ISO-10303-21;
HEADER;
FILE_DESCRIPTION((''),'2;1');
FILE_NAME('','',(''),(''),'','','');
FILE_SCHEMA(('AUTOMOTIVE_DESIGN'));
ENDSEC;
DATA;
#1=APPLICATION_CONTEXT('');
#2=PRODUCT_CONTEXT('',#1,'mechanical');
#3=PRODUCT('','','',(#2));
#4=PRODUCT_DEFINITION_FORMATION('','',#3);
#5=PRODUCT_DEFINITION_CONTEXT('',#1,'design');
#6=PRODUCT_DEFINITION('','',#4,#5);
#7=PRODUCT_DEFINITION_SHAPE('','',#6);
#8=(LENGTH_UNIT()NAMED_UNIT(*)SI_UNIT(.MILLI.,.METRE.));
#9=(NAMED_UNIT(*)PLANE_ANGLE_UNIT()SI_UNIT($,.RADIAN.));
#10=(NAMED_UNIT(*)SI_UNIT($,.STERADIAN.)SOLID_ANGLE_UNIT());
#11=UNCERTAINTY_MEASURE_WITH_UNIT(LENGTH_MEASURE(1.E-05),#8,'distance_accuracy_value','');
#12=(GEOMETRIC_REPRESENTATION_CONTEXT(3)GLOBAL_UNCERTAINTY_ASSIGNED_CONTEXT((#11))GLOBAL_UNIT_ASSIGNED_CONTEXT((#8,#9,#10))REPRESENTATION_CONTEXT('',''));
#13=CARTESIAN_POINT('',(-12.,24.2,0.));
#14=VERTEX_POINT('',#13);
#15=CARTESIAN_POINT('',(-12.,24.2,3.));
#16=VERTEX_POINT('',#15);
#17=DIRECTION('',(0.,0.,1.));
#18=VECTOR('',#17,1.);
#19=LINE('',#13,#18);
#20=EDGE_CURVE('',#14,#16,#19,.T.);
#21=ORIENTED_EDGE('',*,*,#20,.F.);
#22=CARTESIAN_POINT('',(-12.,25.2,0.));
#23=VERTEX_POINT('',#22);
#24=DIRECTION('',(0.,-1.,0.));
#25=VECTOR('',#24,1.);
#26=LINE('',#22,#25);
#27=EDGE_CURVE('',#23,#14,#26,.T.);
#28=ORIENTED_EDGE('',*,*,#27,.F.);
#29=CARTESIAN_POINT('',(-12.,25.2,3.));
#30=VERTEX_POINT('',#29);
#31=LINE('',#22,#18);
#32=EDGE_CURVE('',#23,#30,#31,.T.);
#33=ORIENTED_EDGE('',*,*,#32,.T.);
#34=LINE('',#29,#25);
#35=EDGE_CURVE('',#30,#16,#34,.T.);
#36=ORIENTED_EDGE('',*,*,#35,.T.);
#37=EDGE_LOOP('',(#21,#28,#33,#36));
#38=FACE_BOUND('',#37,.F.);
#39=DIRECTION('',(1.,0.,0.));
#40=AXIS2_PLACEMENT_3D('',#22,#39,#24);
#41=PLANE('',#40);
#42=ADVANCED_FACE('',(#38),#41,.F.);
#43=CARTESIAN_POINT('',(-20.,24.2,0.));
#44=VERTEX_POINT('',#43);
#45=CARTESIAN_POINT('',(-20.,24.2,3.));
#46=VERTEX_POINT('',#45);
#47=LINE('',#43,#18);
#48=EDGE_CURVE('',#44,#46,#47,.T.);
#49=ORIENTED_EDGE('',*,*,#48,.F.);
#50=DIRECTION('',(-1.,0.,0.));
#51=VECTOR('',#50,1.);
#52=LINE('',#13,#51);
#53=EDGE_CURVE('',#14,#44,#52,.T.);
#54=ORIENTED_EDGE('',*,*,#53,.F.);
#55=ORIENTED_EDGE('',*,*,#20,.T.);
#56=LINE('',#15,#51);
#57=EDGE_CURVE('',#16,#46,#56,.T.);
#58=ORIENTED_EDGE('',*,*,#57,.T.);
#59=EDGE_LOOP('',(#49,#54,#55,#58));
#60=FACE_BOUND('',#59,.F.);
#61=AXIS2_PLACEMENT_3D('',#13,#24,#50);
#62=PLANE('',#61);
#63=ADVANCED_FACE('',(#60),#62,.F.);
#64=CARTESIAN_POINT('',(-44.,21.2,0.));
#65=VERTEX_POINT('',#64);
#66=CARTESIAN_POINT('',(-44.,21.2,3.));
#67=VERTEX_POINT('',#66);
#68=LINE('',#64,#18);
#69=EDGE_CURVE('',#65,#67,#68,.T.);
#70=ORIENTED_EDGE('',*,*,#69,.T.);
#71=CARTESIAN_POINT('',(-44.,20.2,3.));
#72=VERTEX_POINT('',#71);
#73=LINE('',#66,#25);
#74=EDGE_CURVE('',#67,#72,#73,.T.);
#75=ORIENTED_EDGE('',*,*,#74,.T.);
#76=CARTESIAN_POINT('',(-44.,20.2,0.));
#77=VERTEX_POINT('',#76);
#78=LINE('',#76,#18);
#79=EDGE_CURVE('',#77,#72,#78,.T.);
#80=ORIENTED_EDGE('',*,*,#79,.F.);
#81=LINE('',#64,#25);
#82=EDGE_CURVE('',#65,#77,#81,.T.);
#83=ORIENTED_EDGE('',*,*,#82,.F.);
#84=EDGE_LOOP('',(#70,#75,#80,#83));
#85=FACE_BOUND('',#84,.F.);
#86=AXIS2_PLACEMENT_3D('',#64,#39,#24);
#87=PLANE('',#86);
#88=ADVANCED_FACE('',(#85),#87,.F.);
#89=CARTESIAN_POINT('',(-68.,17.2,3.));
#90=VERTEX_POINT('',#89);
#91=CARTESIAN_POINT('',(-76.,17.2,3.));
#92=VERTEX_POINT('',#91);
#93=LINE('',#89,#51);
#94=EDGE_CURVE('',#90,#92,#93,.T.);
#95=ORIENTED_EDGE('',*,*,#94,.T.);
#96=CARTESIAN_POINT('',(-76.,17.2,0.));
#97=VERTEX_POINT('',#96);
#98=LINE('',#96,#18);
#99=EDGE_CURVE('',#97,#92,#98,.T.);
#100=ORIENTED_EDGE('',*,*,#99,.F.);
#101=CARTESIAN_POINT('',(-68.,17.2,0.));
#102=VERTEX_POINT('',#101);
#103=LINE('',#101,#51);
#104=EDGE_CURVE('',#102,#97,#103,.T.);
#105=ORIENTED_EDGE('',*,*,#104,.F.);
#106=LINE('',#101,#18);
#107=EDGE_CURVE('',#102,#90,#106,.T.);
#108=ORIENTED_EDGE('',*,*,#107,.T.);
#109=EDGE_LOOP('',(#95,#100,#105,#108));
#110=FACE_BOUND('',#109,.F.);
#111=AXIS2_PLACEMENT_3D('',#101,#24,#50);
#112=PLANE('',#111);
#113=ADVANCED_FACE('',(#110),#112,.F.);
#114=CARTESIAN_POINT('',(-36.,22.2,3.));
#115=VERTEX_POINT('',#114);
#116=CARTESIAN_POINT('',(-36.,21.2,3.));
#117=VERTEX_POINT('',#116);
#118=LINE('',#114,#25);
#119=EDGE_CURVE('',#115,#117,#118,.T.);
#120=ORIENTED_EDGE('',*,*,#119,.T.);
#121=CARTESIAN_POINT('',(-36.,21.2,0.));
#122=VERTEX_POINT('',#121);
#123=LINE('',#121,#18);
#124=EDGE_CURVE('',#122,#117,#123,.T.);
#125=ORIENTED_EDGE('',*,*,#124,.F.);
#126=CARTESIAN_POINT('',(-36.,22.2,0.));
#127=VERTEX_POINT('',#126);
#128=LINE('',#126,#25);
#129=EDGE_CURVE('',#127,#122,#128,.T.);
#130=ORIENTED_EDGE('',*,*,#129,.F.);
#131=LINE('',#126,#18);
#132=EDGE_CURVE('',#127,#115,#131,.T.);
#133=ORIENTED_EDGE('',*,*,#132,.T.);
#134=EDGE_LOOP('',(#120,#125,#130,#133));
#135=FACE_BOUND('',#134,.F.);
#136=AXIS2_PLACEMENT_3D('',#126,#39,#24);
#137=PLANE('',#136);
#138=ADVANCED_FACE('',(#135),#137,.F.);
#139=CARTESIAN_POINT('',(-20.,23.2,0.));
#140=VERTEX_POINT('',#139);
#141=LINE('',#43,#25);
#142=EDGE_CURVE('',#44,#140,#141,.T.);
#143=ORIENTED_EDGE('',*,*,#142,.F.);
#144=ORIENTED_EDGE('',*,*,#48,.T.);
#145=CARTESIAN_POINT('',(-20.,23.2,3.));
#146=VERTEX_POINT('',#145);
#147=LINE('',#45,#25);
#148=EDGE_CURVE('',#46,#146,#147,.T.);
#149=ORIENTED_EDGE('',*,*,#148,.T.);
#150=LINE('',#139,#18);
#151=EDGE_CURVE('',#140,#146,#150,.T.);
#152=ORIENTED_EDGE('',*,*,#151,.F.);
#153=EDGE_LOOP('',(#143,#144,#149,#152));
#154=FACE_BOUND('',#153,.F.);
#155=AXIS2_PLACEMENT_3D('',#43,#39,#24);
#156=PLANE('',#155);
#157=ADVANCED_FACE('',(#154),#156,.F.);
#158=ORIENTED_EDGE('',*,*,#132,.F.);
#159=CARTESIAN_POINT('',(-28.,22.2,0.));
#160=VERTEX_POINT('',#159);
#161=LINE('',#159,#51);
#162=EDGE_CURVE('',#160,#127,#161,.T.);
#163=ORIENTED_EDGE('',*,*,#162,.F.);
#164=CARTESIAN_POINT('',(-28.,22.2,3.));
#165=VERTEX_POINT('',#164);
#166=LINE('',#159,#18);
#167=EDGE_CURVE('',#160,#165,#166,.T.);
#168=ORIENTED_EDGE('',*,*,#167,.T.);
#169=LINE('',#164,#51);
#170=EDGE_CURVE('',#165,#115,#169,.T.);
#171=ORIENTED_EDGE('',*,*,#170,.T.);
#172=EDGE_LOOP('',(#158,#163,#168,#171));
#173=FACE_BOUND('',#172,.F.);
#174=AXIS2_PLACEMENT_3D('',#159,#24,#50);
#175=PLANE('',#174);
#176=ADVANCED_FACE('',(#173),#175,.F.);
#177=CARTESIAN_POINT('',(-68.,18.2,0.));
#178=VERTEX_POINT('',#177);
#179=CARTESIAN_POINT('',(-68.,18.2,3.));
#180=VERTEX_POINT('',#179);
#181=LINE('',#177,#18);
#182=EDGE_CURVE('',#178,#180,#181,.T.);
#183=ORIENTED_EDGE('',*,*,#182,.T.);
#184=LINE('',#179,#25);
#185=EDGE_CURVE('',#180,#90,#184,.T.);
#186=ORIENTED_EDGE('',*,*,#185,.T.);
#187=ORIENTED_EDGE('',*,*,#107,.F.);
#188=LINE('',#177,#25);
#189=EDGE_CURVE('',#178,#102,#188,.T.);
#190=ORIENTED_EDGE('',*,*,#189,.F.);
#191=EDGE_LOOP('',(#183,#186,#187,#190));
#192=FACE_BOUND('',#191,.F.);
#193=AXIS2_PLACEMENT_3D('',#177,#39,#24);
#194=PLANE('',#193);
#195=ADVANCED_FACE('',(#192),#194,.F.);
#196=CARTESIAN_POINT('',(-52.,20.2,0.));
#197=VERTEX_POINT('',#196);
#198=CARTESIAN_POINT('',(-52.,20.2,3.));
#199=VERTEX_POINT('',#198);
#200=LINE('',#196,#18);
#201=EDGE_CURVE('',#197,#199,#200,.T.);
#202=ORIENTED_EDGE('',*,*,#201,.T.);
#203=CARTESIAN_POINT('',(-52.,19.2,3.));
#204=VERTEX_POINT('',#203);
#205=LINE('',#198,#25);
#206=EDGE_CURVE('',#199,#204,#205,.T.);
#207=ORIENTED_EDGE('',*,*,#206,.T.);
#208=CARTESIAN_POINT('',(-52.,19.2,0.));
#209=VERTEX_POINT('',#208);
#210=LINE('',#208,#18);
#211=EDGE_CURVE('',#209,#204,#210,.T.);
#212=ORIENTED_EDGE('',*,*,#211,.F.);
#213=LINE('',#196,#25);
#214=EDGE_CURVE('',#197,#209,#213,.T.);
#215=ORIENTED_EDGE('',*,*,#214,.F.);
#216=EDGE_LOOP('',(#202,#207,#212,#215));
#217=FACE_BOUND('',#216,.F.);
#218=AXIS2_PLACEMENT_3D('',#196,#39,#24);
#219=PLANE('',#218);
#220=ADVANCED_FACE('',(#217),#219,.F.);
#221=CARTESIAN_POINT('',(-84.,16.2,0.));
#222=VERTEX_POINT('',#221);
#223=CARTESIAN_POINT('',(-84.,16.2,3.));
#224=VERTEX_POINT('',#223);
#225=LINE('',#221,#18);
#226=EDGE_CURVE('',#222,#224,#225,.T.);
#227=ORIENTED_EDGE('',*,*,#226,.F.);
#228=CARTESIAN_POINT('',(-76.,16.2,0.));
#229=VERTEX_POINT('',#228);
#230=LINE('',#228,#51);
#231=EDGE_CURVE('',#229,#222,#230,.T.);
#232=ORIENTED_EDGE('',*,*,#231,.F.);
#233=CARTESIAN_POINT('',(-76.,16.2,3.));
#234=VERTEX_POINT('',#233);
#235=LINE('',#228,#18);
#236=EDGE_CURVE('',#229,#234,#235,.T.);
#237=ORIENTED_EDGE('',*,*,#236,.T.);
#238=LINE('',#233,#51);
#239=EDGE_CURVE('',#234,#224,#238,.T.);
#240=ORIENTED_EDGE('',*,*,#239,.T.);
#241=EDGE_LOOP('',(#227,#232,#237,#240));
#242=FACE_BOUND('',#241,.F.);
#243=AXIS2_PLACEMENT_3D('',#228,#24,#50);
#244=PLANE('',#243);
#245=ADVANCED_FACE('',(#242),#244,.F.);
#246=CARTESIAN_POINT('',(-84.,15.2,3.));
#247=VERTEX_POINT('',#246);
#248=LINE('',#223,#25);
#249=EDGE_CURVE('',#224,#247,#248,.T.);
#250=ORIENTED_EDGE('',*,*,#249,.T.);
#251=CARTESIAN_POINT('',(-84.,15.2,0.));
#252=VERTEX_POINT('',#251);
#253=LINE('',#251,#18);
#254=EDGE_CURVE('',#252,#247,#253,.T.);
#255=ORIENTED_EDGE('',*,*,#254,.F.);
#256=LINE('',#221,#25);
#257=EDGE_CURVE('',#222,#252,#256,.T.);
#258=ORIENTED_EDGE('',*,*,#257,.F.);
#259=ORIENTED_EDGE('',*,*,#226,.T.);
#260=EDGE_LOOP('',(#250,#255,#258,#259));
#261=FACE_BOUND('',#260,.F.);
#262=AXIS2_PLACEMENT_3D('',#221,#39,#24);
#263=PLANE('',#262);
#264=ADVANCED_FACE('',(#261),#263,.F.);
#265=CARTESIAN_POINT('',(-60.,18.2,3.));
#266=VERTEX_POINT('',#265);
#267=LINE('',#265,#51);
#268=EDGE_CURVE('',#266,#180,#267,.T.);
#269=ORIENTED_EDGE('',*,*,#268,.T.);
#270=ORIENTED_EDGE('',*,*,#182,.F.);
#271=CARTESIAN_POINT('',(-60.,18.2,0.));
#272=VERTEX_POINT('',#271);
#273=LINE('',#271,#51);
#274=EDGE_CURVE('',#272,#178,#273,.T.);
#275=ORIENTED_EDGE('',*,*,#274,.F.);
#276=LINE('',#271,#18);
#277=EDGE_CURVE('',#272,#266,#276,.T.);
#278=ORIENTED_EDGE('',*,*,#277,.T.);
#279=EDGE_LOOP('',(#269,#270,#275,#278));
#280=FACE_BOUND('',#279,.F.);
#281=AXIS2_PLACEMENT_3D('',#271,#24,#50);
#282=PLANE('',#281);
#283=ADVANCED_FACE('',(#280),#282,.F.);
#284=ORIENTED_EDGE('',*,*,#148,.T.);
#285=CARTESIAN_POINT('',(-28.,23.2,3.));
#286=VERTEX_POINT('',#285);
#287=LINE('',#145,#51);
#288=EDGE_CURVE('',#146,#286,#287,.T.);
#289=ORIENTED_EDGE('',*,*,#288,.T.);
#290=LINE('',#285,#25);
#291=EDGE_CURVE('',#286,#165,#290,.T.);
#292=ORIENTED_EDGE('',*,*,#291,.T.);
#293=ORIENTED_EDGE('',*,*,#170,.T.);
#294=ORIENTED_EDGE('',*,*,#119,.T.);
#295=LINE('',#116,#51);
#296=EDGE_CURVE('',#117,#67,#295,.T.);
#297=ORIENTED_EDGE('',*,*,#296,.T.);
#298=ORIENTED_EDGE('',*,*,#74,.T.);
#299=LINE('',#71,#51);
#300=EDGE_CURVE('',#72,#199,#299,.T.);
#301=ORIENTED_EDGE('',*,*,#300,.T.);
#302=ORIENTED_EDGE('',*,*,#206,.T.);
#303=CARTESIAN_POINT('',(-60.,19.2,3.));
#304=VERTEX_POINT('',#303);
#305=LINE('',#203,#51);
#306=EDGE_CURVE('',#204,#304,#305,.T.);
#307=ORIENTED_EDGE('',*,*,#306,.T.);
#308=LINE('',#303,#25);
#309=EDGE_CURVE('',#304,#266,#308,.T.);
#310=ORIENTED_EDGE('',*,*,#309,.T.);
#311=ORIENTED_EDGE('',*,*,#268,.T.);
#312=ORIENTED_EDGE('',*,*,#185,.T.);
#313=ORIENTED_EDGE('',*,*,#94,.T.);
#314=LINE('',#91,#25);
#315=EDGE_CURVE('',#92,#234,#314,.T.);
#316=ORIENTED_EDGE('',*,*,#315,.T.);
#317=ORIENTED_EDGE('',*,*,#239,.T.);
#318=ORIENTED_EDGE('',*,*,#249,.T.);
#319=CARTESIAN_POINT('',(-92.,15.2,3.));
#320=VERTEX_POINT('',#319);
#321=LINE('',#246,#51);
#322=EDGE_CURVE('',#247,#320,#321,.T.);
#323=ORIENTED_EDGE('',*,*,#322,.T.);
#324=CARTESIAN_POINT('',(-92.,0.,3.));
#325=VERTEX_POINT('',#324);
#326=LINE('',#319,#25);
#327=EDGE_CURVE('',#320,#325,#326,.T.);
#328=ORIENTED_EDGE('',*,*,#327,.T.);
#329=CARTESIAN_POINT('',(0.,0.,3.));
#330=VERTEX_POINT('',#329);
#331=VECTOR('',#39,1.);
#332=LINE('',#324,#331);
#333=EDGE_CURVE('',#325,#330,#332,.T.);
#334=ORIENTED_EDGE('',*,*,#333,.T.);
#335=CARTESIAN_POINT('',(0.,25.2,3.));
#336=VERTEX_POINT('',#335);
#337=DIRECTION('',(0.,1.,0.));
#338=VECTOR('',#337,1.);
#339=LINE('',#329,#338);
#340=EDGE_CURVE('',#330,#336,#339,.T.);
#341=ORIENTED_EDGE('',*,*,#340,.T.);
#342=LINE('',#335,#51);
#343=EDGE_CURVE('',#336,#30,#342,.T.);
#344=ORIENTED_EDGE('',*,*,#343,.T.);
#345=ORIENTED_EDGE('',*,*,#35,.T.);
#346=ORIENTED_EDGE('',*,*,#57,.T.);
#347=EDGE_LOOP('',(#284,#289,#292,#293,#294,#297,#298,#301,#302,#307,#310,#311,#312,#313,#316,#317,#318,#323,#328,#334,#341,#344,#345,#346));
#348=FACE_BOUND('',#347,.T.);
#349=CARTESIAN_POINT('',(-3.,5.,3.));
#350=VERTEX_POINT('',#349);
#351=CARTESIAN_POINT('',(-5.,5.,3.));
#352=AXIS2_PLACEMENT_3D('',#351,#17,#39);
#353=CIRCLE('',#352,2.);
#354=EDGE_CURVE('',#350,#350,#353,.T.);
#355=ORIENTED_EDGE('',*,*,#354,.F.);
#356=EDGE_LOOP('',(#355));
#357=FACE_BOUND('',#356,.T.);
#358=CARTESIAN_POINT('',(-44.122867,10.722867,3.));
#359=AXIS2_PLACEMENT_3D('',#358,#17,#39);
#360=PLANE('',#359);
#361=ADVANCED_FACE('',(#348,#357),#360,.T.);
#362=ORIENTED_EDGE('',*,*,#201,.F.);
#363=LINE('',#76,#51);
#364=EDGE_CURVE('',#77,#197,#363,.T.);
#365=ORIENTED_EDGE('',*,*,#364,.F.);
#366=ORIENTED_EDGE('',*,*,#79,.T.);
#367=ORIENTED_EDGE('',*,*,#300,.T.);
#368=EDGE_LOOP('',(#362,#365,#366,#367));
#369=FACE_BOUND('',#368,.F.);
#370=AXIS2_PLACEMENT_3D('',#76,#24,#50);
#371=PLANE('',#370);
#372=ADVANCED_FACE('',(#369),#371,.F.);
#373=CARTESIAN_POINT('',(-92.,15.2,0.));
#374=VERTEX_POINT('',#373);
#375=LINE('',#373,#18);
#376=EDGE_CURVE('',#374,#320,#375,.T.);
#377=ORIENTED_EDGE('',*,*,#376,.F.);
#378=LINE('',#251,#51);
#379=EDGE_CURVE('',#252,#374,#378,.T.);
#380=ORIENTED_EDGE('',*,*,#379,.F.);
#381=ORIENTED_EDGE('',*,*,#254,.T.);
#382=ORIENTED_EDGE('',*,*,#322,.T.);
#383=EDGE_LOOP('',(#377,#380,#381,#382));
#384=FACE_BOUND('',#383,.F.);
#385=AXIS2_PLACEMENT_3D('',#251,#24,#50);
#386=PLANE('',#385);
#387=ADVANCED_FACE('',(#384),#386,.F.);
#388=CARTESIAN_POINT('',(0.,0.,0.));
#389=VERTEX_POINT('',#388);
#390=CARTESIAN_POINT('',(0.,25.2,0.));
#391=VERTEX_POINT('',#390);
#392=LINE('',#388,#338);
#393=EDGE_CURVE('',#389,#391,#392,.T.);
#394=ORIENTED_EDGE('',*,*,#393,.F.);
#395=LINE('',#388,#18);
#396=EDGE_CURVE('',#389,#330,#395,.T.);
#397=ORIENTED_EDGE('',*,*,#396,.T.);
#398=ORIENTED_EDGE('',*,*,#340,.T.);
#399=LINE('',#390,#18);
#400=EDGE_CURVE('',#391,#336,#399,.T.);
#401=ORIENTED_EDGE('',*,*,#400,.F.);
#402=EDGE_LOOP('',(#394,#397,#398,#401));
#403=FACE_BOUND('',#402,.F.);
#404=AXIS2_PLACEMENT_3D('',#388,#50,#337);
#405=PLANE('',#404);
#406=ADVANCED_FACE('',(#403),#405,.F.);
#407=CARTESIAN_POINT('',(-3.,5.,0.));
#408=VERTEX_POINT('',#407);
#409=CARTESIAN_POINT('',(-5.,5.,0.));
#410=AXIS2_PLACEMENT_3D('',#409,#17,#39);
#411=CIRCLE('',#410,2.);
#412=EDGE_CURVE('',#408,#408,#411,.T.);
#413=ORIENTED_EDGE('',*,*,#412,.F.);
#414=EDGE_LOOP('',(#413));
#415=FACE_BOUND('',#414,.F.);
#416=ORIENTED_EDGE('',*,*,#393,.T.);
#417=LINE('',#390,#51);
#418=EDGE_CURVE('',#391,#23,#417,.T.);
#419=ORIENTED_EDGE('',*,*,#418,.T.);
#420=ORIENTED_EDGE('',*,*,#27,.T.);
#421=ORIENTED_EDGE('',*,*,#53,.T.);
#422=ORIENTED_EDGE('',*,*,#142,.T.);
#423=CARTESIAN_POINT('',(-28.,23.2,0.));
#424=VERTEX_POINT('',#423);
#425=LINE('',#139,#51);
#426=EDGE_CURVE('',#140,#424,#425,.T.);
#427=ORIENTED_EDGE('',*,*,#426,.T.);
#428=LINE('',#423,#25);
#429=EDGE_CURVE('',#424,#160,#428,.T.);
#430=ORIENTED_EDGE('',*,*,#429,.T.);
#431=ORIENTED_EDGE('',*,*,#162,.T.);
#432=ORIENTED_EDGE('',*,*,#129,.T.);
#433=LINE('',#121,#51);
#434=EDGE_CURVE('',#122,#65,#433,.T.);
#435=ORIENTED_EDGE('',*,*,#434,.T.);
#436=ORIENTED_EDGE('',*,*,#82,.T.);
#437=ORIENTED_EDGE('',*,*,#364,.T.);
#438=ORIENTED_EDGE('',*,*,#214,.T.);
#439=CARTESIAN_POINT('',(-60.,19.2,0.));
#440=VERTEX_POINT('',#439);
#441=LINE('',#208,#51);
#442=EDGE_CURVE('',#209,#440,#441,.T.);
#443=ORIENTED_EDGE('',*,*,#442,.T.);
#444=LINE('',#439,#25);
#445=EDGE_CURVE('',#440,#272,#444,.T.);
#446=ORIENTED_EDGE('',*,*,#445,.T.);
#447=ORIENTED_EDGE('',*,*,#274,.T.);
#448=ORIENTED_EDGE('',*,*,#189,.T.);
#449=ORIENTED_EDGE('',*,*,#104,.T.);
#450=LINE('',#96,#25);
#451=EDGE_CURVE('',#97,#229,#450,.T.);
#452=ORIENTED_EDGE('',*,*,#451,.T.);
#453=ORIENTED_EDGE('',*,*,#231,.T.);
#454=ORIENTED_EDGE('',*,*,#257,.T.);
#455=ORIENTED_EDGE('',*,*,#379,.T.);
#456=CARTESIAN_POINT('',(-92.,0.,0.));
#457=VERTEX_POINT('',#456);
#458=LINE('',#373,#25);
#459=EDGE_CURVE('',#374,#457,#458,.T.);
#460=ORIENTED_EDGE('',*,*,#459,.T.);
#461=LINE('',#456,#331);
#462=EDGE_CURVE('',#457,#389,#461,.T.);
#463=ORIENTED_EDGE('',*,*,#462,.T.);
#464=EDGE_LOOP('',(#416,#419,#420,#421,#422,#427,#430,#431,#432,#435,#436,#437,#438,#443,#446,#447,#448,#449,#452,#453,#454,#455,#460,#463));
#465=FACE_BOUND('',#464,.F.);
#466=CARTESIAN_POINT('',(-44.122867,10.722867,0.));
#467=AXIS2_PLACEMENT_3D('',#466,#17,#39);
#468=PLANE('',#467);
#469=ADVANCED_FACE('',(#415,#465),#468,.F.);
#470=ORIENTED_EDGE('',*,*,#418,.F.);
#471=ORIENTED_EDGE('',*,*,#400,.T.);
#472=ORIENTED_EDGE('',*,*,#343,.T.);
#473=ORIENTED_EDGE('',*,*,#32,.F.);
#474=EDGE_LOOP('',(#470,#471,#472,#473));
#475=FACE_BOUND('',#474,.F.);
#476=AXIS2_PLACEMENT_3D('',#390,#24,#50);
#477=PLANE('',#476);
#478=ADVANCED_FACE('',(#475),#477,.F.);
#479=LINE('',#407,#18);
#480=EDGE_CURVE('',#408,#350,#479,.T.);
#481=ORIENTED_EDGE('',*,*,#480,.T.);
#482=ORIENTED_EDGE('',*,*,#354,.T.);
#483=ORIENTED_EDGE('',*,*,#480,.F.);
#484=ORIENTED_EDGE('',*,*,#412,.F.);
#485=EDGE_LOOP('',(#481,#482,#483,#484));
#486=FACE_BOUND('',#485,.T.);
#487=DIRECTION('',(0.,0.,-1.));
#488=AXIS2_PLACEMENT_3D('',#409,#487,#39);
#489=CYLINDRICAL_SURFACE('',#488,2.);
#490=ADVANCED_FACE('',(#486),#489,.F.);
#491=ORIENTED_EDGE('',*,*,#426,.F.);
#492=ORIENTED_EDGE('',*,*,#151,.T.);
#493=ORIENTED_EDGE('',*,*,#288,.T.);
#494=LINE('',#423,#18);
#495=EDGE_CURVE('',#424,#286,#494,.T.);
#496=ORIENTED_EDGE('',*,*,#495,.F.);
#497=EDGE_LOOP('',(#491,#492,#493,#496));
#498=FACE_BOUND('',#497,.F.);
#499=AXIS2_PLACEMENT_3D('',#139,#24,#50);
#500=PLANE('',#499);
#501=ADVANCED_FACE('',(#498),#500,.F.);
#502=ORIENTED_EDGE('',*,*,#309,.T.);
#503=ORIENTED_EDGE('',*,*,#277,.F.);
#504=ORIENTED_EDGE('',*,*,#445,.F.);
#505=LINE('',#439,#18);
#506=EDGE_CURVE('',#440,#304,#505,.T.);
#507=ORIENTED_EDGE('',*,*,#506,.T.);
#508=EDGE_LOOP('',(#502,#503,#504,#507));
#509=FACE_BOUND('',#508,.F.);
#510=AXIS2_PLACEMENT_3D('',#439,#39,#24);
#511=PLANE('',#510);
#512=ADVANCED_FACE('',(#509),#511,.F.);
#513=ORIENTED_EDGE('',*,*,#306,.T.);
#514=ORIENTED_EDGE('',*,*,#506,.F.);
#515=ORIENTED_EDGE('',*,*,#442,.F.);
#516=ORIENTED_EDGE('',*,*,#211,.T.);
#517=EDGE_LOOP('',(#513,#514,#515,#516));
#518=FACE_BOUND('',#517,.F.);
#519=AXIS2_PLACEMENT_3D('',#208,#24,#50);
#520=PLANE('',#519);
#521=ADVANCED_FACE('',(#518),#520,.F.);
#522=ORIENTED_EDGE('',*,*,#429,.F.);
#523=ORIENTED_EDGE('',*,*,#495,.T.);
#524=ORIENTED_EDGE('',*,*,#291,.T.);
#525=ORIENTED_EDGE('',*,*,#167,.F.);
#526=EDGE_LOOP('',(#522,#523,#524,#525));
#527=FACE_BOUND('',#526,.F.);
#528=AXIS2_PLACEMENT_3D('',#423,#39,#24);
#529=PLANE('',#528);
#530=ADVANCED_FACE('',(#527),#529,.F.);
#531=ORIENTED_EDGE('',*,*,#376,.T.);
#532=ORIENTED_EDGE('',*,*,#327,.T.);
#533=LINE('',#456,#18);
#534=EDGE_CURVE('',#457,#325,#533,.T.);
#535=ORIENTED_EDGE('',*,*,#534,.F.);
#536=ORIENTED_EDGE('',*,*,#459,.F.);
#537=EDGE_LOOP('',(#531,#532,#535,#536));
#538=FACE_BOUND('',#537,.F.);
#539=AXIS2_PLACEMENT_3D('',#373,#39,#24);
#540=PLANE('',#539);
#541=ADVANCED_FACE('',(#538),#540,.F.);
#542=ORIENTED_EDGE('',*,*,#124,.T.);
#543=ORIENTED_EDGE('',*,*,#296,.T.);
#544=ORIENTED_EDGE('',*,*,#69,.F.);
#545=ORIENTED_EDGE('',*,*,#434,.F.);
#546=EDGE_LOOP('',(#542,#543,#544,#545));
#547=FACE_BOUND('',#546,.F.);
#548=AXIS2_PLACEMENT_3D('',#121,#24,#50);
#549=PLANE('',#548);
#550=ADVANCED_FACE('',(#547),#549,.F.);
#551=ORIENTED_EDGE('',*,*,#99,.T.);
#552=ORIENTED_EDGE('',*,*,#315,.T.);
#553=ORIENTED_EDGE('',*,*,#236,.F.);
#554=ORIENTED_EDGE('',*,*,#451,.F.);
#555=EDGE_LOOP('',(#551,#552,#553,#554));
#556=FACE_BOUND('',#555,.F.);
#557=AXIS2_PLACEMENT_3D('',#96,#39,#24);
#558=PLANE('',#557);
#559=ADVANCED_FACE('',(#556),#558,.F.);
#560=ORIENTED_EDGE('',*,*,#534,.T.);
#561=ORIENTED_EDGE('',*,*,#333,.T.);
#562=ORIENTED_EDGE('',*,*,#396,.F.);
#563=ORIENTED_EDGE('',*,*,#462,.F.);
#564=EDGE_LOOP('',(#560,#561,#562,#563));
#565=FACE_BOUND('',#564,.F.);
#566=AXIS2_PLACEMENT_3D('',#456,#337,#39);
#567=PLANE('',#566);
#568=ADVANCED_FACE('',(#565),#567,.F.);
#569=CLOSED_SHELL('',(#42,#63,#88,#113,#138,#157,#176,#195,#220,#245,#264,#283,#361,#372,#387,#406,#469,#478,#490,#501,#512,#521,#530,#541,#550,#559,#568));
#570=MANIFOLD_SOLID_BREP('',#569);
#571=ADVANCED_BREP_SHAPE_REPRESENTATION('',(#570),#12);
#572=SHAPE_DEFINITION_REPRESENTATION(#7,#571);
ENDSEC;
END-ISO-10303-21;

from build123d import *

# Parameters (mm, degrees)
SKETCH1_R           = 2
BOSS_EXTRUDE1_DEPTH = 3


with BuildPart() as part:
    # Sketch1 → Boss-Extrude1 (new body)
    with BuildSketch(Plane.XY):
        Polygon((0, 0), (0, 25.2), (-12, 25.2), (-12, 24.2), (-20, 24.2), (-20, 23.2), (-28, 23.2), (-28, 22.2), (-36, 22.2), (-36, 21.2), (-44, 21.2), (-44, 20.2), (-52, 20.2), (-52, 19.2), (-60, 19.2), (-60, 18.2), (-68, 18.2), (-68, 17.2), (-76, 17.2), (-76, 16.2), (-84, 16.2), (-84, 15.2), (-92, 15.2), (-92, 0), align=None)
        with Locations((-5, 5)):
            Circle(SKETCH1_R, mode=Mode.SUBTRACT)
    extrude(amount=BOSS_EXTRUDE1_DEPTH)


solid = part.part
